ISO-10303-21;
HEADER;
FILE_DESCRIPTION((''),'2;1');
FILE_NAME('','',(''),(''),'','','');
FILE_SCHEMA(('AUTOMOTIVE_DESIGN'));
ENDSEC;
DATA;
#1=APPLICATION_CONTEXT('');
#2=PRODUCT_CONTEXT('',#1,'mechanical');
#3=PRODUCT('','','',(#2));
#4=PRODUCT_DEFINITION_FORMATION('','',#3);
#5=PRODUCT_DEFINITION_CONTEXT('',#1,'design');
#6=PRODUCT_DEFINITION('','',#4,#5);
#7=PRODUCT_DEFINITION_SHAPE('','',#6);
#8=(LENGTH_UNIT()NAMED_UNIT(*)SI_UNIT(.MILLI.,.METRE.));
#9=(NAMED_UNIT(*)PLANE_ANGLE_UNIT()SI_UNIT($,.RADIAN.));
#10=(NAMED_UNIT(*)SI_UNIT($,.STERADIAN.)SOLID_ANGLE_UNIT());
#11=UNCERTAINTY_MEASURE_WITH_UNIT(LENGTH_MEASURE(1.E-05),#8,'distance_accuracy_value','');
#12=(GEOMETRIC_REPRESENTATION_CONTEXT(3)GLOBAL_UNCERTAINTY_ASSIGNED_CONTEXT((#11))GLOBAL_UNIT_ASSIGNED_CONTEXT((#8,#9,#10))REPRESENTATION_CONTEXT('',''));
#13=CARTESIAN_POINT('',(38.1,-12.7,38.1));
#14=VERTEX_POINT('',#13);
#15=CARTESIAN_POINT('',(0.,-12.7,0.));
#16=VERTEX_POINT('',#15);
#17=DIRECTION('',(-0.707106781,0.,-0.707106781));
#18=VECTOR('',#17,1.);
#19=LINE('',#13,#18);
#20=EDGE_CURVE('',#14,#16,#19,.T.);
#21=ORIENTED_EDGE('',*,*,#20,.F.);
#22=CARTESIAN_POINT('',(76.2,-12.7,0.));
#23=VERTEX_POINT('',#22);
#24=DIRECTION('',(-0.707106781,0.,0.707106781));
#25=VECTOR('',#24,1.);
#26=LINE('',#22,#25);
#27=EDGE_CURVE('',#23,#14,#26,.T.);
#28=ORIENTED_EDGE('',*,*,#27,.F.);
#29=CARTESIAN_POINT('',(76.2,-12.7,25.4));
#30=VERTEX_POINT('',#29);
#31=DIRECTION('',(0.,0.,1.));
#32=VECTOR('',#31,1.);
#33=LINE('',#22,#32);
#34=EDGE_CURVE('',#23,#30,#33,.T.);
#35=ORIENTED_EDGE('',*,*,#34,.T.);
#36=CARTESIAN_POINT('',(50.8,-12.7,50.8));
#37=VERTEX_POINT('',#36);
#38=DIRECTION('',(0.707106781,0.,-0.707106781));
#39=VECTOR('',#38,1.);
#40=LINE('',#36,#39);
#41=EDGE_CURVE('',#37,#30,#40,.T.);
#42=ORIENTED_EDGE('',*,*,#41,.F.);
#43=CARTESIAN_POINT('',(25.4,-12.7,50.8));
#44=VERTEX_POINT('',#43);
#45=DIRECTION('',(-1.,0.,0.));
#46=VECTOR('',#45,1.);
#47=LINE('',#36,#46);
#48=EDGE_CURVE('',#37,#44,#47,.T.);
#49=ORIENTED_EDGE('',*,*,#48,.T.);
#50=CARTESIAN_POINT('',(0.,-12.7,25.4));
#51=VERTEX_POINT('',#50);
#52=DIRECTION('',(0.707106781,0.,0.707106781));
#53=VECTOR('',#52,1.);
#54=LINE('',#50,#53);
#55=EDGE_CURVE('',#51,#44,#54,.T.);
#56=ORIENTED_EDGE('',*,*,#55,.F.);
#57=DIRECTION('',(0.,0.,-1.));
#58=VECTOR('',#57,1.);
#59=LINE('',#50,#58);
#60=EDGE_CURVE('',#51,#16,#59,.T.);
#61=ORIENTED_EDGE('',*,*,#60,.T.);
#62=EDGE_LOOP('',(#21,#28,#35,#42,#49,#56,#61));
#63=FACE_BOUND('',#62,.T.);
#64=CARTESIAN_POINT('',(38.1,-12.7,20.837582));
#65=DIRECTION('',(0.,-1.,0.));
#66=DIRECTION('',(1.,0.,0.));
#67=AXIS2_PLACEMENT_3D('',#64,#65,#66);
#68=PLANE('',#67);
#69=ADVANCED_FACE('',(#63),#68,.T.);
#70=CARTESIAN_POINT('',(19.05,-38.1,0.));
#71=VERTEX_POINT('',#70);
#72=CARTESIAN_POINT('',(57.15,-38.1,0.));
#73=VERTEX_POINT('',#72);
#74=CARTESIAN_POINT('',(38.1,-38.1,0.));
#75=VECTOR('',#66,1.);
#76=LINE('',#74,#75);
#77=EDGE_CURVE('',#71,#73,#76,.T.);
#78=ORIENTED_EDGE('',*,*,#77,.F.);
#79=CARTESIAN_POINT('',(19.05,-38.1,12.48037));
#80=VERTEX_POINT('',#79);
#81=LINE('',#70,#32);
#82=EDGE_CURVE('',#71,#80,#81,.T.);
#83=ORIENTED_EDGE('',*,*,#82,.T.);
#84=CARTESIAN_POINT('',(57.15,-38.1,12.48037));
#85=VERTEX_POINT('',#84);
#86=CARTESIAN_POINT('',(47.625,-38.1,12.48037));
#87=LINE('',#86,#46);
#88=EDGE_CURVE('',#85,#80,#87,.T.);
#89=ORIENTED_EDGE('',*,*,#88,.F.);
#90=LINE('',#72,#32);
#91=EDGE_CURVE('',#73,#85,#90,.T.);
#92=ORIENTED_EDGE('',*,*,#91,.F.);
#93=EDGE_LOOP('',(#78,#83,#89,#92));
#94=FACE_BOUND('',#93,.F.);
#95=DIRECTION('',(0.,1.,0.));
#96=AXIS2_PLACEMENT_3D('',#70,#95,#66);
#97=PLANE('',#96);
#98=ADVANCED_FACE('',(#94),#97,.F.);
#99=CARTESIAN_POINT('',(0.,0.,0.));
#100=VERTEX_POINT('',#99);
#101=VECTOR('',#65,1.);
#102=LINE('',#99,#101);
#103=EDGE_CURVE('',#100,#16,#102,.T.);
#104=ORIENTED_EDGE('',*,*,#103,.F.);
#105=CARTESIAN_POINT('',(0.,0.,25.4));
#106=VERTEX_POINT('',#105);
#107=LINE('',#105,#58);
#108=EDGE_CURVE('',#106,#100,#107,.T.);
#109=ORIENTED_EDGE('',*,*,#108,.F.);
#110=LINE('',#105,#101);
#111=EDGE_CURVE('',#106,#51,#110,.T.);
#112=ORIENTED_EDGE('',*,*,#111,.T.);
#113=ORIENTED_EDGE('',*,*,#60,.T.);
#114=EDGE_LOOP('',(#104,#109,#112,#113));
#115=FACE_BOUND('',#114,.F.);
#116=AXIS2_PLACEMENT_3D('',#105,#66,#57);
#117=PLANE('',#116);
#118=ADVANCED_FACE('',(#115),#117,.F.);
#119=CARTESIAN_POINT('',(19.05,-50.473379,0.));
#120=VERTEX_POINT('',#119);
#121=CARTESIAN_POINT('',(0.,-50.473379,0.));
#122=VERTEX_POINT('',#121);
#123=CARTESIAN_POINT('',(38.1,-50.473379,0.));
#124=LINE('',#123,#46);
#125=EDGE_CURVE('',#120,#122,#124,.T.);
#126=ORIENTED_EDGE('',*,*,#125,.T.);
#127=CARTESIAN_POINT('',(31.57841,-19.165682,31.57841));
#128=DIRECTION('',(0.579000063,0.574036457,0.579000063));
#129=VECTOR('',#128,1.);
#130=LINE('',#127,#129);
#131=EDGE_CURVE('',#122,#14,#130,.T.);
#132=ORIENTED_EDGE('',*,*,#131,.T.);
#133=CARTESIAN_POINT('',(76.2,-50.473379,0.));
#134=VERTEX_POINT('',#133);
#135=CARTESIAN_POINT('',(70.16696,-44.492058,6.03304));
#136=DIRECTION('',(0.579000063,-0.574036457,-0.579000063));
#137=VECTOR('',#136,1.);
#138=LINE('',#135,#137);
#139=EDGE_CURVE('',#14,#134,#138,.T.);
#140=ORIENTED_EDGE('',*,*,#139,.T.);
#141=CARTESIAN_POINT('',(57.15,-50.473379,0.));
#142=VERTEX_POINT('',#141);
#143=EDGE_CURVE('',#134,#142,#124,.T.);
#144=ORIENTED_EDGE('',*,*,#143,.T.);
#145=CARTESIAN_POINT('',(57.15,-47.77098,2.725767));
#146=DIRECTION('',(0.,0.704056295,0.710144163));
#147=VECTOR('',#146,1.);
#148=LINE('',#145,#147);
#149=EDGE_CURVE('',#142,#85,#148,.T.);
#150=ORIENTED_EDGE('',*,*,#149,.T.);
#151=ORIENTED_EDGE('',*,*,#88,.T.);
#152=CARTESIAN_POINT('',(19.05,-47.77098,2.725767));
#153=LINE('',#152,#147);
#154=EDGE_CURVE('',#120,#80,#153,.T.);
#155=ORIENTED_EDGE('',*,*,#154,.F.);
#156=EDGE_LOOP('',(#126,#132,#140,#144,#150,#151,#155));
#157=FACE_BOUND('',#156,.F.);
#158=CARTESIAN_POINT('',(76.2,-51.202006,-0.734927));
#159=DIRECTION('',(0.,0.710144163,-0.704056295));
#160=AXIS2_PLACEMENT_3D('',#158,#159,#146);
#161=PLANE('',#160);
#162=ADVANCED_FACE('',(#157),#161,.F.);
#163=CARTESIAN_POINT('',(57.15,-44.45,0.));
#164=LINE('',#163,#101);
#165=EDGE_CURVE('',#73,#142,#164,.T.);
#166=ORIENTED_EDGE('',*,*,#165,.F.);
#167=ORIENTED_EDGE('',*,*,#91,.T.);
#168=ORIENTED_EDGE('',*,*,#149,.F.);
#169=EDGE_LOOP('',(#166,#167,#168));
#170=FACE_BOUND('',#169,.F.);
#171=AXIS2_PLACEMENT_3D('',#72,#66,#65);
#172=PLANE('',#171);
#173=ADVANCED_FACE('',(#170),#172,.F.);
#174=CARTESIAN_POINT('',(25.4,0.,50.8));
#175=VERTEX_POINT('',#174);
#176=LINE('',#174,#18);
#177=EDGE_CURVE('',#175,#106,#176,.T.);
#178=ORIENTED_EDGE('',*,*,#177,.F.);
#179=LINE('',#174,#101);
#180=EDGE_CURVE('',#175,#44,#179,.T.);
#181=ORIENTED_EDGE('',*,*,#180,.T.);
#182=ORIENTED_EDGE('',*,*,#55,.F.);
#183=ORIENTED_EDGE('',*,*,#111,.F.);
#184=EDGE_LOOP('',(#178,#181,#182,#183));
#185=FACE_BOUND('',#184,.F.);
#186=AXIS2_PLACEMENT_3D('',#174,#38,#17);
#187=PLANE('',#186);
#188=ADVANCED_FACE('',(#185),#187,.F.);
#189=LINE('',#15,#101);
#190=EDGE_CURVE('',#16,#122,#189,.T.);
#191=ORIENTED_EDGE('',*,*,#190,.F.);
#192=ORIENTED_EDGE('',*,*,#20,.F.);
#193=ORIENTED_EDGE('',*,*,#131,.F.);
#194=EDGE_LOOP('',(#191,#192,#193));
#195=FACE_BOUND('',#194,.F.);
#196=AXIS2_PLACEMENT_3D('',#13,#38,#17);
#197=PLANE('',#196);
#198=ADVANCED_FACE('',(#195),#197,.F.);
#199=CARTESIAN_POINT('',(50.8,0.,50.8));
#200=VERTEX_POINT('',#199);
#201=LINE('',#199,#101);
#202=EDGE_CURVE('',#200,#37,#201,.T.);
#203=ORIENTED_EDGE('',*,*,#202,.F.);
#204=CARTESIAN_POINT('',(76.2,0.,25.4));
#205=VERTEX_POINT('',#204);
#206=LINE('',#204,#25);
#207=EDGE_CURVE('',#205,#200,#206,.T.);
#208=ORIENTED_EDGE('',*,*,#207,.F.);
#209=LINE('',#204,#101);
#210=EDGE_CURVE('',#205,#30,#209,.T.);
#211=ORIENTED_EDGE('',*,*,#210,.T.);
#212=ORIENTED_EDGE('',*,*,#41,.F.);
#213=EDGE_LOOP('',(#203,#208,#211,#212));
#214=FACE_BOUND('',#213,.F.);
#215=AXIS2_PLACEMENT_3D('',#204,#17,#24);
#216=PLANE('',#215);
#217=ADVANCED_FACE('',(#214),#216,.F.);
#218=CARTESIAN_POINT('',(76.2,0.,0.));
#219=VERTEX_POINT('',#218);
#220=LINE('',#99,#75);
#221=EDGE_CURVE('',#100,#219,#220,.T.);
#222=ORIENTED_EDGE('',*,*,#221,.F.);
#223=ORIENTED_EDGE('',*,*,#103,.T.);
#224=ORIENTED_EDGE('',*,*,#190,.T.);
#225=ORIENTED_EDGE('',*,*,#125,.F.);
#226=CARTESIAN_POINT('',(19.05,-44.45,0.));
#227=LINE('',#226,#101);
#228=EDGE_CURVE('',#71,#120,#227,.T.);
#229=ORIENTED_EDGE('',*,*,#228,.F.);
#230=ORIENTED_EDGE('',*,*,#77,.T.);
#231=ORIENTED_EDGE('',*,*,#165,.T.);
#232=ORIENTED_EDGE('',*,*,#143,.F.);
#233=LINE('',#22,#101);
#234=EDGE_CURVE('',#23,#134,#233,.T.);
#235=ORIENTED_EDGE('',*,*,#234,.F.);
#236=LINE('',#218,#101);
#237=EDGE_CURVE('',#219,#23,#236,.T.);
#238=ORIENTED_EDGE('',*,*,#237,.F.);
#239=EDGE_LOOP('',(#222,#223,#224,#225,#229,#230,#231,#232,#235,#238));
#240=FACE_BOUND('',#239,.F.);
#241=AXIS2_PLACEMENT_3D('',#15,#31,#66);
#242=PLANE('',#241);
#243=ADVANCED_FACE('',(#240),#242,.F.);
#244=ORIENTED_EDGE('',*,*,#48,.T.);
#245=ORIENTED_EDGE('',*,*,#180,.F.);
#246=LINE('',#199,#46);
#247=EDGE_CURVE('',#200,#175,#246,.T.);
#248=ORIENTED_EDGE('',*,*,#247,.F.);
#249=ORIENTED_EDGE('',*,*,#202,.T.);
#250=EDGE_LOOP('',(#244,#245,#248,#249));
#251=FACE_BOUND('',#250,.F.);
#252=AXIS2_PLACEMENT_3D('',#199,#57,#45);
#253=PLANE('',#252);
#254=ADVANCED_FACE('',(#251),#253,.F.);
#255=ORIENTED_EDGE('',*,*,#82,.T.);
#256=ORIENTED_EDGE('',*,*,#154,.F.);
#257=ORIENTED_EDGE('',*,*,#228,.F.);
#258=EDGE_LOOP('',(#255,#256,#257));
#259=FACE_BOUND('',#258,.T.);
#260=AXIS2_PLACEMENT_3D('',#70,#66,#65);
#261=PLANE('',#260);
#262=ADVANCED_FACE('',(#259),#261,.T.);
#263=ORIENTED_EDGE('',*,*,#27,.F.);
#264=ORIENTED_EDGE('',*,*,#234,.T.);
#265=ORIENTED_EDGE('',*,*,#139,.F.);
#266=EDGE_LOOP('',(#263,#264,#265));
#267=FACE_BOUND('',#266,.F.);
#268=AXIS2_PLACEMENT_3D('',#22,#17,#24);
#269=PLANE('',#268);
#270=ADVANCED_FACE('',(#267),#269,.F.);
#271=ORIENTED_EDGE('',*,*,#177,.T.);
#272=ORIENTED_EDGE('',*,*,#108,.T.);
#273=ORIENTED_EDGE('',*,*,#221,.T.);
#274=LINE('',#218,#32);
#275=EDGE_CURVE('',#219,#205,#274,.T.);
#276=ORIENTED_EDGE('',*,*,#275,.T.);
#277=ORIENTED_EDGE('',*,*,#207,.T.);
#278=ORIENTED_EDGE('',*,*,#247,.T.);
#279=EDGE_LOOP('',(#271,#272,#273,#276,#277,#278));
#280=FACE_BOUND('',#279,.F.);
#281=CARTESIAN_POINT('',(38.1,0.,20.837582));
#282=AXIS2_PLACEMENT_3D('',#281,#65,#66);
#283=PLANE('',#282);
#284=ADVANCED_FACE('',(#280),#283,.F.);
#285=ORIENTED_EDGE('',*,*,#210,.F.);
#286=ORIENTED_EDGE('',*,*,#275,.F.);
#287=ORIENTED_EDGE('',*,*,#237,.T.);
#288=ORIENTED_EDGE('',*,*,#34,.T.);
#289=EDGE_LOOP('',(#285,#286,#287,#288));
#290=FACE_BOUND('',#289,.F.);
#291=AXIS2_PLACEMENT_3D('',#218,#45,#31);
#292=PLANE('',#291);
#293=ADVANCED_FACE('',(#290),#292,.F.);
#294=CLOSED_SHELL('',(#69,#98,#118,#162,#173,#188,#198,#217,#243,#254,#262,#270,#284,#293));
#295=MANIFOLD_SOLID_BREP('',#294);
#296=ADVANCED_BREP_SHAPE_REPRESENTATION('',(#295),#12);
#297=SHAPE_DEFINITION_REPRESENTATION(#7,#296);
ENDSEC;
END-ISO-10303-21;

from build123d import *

# Parameters (mm, degrees)
F1_DEPTH = 12.7
F3_DEPTH = 38.1
F4_W     = 38.1
F4_H     = 12.7
F5_DEPTH = 50.801
F7_DEPTH = 76.201


with BuildPart() as f1:
    # F0 (on Front) → F1 (new body)
    with BuildSketch(Plane.XZ):
        Polygon((25.4, 50.8), (0, 25.4), (0, 0), (76.2, 0), (76.2, 25.4), (50.8, 50.8), align=None)
    extrude(amount=F1_DEPTH)

    # F2 (on face) → F3 (join)
    with BuildSketch(Plane.XZ.offset(12.7)):
        Polygon((0, 0), (76.2, 0), (38.1, 38.1), align=None)
    extrude(amount=F3_DEPTH)

    # F4 (on face) → F5 (cut, through all)
    with BuildSketch(Plane(origin=(0, 0, 0), x_dir=(1, 0, 0), z_dir=(0, 0, -1))):
        with Locations((38.1, 44.45)):
            Rectangle(F4_W, F4_H)
    extrude(amount=-F5_DEPTH, mode=Mode.SUBTRACT)

    # F6 (on face) → F7 (cut, through all)
    with BuildSketch(Plane.YZ.offset(76.2)):
        Polygon((-51.202006, -0.734927), (-12.7, 38.1), (-51.202006, 38.1), align=None)
    extrude(amount=-F7_DEPTH, mode=Mode.SUBTRACT)


solid = f1.part
